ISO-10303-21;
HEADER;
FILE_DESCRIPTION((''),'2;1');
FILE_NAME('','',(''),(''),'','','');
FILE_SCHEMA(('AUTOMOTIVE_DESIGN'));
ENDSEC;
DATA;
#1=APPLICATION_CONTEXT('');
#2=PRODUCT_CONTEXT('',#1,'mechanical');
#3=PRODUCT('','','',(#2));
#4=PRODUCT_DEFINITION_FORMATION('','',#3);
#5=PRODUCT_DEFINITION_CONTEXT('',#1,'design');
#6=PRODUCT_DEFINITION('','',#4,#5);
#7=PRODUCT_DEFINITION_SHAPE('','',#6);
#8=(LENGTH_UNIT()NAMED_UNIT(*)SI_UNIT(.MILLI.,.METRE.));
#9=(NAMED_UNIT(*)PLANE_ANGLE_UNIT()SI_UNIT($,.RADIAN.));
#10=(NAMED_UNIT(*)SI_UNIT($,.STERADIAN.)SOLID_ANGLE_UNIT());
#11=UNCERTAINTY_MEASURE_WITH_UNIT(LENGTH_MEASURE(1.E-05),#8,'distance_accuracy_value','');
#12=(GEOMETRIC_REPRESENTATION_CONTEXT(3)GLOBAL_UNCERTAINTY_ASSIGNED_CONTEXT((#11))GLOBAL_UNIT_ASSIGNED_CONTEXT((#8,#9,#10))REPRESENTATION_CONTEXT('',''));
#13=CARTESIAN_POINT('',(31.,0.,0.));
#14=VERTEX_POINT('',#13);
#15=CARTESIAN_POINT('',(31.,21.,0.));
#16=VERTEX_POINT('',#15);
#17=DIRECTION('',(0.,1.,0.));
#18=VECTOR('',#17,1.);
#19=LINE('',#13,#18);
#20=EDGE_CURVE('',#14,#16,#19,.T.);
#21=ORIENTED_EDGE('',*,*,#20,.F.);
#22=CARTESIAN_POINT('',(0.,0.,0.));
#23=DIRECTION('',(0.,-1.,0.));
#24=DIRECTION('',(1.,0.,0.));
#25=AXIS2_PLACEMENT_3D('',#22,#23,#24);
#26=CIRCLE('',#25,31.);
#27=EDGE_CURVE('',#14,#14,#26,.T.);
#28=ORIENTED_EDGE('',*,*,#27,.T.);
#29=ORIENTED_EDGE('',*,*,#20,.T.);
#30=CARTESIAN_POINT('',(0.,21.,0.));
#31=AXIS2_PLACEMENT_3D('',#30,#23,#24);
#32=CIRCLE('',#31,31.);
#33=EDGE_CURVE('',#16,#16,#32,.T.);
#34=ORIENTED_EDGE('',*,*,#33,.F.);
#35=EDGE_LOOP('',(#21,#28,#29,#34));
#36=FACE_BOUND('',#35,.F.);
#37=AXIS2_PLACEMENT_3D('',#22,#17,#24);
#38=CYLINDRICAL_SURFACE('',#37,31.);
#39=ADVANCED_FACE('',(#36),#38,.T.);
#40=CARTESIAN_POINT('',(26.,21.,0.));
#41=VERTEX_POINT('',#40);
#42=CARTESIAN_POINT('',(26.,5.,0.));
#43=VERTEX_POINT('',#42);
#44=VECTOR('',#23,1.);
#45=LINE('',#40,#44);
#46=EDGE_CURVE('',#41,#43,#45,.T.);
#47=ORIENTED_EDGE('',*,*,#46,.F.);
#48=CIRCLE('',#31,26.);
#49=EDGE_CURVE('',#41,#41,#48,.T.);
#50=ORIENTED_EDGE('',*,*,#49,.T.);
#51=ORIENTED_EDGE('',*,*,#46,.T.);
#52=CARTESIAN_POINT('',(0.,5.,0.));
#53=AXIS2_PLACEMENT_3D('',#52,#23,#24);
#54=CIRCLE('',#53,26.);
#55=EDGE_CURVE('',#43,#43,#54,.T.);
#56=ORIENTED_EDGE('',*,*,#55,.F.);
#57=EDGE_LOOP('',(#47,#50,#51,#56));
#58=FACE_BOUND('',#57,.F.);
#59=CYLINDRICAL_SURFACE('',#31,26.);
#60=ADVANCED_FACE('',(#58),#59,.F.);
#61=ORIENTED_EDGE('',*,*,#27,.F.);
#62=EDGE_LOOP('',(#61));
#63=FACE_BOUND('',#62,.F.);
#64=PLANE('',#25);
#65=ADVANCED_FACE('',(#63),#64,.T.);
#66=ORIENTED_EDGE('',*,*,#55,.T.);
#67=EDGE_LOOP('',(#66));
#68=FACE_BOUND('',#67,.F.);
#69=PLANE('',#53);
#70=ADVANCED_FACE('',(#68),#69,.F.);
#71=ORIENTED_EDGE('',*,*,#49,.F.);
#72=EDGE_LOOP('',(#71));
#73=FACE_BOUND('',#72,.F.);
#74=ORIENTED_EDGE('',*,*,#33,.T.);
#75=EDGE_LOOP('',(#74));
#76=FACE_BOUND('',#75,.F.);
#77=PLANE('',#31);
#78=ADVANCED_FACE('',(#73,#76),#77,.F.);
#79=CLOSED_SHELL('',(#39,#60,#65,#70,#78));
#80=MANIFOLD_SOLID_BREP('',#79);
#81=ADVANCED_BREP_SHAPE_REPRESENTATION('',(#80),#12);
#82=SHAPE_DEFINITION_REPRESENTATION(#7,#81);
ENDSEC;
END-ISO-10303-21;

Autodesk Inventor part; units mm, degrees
ref_plane "YZ Plane" through (0, 0, 0) normal (1, 0, 0) x (0, 1, 0)
ref_plane "XZ Plane" through (0, 0, 0) normal (0, 1, 0) x (-1, 0, 0)
ref_plane "XY Plane" through (0, 0, 0) normal (0, 0, 1) x (1, 0, 0)
sketch "Эскиз1" plane through (0, 0, 0) normal (0, 0, 1) x (1, 0, 0)
  line L0 (0, 5) -> (0, 0)
  line L1 (0, 0) -> (31, 0)
  line L2 (31, 0) -> (31, 21)
  line L3 (31, 21) -> (26, 21)
  line L4 (26, 21) -> (26, 5)
  line L5 (26, 5) -> (0, 5)
  dimension "d0" = 21
  dimension "d1" = 5
  dimension "d3" = 31
revolve "Вращение1" add sketch "Эскиз1" angle 360 about axis through (0, 5, 0) along (0, -1, 0)
properties part number "Крышка маленькая"
